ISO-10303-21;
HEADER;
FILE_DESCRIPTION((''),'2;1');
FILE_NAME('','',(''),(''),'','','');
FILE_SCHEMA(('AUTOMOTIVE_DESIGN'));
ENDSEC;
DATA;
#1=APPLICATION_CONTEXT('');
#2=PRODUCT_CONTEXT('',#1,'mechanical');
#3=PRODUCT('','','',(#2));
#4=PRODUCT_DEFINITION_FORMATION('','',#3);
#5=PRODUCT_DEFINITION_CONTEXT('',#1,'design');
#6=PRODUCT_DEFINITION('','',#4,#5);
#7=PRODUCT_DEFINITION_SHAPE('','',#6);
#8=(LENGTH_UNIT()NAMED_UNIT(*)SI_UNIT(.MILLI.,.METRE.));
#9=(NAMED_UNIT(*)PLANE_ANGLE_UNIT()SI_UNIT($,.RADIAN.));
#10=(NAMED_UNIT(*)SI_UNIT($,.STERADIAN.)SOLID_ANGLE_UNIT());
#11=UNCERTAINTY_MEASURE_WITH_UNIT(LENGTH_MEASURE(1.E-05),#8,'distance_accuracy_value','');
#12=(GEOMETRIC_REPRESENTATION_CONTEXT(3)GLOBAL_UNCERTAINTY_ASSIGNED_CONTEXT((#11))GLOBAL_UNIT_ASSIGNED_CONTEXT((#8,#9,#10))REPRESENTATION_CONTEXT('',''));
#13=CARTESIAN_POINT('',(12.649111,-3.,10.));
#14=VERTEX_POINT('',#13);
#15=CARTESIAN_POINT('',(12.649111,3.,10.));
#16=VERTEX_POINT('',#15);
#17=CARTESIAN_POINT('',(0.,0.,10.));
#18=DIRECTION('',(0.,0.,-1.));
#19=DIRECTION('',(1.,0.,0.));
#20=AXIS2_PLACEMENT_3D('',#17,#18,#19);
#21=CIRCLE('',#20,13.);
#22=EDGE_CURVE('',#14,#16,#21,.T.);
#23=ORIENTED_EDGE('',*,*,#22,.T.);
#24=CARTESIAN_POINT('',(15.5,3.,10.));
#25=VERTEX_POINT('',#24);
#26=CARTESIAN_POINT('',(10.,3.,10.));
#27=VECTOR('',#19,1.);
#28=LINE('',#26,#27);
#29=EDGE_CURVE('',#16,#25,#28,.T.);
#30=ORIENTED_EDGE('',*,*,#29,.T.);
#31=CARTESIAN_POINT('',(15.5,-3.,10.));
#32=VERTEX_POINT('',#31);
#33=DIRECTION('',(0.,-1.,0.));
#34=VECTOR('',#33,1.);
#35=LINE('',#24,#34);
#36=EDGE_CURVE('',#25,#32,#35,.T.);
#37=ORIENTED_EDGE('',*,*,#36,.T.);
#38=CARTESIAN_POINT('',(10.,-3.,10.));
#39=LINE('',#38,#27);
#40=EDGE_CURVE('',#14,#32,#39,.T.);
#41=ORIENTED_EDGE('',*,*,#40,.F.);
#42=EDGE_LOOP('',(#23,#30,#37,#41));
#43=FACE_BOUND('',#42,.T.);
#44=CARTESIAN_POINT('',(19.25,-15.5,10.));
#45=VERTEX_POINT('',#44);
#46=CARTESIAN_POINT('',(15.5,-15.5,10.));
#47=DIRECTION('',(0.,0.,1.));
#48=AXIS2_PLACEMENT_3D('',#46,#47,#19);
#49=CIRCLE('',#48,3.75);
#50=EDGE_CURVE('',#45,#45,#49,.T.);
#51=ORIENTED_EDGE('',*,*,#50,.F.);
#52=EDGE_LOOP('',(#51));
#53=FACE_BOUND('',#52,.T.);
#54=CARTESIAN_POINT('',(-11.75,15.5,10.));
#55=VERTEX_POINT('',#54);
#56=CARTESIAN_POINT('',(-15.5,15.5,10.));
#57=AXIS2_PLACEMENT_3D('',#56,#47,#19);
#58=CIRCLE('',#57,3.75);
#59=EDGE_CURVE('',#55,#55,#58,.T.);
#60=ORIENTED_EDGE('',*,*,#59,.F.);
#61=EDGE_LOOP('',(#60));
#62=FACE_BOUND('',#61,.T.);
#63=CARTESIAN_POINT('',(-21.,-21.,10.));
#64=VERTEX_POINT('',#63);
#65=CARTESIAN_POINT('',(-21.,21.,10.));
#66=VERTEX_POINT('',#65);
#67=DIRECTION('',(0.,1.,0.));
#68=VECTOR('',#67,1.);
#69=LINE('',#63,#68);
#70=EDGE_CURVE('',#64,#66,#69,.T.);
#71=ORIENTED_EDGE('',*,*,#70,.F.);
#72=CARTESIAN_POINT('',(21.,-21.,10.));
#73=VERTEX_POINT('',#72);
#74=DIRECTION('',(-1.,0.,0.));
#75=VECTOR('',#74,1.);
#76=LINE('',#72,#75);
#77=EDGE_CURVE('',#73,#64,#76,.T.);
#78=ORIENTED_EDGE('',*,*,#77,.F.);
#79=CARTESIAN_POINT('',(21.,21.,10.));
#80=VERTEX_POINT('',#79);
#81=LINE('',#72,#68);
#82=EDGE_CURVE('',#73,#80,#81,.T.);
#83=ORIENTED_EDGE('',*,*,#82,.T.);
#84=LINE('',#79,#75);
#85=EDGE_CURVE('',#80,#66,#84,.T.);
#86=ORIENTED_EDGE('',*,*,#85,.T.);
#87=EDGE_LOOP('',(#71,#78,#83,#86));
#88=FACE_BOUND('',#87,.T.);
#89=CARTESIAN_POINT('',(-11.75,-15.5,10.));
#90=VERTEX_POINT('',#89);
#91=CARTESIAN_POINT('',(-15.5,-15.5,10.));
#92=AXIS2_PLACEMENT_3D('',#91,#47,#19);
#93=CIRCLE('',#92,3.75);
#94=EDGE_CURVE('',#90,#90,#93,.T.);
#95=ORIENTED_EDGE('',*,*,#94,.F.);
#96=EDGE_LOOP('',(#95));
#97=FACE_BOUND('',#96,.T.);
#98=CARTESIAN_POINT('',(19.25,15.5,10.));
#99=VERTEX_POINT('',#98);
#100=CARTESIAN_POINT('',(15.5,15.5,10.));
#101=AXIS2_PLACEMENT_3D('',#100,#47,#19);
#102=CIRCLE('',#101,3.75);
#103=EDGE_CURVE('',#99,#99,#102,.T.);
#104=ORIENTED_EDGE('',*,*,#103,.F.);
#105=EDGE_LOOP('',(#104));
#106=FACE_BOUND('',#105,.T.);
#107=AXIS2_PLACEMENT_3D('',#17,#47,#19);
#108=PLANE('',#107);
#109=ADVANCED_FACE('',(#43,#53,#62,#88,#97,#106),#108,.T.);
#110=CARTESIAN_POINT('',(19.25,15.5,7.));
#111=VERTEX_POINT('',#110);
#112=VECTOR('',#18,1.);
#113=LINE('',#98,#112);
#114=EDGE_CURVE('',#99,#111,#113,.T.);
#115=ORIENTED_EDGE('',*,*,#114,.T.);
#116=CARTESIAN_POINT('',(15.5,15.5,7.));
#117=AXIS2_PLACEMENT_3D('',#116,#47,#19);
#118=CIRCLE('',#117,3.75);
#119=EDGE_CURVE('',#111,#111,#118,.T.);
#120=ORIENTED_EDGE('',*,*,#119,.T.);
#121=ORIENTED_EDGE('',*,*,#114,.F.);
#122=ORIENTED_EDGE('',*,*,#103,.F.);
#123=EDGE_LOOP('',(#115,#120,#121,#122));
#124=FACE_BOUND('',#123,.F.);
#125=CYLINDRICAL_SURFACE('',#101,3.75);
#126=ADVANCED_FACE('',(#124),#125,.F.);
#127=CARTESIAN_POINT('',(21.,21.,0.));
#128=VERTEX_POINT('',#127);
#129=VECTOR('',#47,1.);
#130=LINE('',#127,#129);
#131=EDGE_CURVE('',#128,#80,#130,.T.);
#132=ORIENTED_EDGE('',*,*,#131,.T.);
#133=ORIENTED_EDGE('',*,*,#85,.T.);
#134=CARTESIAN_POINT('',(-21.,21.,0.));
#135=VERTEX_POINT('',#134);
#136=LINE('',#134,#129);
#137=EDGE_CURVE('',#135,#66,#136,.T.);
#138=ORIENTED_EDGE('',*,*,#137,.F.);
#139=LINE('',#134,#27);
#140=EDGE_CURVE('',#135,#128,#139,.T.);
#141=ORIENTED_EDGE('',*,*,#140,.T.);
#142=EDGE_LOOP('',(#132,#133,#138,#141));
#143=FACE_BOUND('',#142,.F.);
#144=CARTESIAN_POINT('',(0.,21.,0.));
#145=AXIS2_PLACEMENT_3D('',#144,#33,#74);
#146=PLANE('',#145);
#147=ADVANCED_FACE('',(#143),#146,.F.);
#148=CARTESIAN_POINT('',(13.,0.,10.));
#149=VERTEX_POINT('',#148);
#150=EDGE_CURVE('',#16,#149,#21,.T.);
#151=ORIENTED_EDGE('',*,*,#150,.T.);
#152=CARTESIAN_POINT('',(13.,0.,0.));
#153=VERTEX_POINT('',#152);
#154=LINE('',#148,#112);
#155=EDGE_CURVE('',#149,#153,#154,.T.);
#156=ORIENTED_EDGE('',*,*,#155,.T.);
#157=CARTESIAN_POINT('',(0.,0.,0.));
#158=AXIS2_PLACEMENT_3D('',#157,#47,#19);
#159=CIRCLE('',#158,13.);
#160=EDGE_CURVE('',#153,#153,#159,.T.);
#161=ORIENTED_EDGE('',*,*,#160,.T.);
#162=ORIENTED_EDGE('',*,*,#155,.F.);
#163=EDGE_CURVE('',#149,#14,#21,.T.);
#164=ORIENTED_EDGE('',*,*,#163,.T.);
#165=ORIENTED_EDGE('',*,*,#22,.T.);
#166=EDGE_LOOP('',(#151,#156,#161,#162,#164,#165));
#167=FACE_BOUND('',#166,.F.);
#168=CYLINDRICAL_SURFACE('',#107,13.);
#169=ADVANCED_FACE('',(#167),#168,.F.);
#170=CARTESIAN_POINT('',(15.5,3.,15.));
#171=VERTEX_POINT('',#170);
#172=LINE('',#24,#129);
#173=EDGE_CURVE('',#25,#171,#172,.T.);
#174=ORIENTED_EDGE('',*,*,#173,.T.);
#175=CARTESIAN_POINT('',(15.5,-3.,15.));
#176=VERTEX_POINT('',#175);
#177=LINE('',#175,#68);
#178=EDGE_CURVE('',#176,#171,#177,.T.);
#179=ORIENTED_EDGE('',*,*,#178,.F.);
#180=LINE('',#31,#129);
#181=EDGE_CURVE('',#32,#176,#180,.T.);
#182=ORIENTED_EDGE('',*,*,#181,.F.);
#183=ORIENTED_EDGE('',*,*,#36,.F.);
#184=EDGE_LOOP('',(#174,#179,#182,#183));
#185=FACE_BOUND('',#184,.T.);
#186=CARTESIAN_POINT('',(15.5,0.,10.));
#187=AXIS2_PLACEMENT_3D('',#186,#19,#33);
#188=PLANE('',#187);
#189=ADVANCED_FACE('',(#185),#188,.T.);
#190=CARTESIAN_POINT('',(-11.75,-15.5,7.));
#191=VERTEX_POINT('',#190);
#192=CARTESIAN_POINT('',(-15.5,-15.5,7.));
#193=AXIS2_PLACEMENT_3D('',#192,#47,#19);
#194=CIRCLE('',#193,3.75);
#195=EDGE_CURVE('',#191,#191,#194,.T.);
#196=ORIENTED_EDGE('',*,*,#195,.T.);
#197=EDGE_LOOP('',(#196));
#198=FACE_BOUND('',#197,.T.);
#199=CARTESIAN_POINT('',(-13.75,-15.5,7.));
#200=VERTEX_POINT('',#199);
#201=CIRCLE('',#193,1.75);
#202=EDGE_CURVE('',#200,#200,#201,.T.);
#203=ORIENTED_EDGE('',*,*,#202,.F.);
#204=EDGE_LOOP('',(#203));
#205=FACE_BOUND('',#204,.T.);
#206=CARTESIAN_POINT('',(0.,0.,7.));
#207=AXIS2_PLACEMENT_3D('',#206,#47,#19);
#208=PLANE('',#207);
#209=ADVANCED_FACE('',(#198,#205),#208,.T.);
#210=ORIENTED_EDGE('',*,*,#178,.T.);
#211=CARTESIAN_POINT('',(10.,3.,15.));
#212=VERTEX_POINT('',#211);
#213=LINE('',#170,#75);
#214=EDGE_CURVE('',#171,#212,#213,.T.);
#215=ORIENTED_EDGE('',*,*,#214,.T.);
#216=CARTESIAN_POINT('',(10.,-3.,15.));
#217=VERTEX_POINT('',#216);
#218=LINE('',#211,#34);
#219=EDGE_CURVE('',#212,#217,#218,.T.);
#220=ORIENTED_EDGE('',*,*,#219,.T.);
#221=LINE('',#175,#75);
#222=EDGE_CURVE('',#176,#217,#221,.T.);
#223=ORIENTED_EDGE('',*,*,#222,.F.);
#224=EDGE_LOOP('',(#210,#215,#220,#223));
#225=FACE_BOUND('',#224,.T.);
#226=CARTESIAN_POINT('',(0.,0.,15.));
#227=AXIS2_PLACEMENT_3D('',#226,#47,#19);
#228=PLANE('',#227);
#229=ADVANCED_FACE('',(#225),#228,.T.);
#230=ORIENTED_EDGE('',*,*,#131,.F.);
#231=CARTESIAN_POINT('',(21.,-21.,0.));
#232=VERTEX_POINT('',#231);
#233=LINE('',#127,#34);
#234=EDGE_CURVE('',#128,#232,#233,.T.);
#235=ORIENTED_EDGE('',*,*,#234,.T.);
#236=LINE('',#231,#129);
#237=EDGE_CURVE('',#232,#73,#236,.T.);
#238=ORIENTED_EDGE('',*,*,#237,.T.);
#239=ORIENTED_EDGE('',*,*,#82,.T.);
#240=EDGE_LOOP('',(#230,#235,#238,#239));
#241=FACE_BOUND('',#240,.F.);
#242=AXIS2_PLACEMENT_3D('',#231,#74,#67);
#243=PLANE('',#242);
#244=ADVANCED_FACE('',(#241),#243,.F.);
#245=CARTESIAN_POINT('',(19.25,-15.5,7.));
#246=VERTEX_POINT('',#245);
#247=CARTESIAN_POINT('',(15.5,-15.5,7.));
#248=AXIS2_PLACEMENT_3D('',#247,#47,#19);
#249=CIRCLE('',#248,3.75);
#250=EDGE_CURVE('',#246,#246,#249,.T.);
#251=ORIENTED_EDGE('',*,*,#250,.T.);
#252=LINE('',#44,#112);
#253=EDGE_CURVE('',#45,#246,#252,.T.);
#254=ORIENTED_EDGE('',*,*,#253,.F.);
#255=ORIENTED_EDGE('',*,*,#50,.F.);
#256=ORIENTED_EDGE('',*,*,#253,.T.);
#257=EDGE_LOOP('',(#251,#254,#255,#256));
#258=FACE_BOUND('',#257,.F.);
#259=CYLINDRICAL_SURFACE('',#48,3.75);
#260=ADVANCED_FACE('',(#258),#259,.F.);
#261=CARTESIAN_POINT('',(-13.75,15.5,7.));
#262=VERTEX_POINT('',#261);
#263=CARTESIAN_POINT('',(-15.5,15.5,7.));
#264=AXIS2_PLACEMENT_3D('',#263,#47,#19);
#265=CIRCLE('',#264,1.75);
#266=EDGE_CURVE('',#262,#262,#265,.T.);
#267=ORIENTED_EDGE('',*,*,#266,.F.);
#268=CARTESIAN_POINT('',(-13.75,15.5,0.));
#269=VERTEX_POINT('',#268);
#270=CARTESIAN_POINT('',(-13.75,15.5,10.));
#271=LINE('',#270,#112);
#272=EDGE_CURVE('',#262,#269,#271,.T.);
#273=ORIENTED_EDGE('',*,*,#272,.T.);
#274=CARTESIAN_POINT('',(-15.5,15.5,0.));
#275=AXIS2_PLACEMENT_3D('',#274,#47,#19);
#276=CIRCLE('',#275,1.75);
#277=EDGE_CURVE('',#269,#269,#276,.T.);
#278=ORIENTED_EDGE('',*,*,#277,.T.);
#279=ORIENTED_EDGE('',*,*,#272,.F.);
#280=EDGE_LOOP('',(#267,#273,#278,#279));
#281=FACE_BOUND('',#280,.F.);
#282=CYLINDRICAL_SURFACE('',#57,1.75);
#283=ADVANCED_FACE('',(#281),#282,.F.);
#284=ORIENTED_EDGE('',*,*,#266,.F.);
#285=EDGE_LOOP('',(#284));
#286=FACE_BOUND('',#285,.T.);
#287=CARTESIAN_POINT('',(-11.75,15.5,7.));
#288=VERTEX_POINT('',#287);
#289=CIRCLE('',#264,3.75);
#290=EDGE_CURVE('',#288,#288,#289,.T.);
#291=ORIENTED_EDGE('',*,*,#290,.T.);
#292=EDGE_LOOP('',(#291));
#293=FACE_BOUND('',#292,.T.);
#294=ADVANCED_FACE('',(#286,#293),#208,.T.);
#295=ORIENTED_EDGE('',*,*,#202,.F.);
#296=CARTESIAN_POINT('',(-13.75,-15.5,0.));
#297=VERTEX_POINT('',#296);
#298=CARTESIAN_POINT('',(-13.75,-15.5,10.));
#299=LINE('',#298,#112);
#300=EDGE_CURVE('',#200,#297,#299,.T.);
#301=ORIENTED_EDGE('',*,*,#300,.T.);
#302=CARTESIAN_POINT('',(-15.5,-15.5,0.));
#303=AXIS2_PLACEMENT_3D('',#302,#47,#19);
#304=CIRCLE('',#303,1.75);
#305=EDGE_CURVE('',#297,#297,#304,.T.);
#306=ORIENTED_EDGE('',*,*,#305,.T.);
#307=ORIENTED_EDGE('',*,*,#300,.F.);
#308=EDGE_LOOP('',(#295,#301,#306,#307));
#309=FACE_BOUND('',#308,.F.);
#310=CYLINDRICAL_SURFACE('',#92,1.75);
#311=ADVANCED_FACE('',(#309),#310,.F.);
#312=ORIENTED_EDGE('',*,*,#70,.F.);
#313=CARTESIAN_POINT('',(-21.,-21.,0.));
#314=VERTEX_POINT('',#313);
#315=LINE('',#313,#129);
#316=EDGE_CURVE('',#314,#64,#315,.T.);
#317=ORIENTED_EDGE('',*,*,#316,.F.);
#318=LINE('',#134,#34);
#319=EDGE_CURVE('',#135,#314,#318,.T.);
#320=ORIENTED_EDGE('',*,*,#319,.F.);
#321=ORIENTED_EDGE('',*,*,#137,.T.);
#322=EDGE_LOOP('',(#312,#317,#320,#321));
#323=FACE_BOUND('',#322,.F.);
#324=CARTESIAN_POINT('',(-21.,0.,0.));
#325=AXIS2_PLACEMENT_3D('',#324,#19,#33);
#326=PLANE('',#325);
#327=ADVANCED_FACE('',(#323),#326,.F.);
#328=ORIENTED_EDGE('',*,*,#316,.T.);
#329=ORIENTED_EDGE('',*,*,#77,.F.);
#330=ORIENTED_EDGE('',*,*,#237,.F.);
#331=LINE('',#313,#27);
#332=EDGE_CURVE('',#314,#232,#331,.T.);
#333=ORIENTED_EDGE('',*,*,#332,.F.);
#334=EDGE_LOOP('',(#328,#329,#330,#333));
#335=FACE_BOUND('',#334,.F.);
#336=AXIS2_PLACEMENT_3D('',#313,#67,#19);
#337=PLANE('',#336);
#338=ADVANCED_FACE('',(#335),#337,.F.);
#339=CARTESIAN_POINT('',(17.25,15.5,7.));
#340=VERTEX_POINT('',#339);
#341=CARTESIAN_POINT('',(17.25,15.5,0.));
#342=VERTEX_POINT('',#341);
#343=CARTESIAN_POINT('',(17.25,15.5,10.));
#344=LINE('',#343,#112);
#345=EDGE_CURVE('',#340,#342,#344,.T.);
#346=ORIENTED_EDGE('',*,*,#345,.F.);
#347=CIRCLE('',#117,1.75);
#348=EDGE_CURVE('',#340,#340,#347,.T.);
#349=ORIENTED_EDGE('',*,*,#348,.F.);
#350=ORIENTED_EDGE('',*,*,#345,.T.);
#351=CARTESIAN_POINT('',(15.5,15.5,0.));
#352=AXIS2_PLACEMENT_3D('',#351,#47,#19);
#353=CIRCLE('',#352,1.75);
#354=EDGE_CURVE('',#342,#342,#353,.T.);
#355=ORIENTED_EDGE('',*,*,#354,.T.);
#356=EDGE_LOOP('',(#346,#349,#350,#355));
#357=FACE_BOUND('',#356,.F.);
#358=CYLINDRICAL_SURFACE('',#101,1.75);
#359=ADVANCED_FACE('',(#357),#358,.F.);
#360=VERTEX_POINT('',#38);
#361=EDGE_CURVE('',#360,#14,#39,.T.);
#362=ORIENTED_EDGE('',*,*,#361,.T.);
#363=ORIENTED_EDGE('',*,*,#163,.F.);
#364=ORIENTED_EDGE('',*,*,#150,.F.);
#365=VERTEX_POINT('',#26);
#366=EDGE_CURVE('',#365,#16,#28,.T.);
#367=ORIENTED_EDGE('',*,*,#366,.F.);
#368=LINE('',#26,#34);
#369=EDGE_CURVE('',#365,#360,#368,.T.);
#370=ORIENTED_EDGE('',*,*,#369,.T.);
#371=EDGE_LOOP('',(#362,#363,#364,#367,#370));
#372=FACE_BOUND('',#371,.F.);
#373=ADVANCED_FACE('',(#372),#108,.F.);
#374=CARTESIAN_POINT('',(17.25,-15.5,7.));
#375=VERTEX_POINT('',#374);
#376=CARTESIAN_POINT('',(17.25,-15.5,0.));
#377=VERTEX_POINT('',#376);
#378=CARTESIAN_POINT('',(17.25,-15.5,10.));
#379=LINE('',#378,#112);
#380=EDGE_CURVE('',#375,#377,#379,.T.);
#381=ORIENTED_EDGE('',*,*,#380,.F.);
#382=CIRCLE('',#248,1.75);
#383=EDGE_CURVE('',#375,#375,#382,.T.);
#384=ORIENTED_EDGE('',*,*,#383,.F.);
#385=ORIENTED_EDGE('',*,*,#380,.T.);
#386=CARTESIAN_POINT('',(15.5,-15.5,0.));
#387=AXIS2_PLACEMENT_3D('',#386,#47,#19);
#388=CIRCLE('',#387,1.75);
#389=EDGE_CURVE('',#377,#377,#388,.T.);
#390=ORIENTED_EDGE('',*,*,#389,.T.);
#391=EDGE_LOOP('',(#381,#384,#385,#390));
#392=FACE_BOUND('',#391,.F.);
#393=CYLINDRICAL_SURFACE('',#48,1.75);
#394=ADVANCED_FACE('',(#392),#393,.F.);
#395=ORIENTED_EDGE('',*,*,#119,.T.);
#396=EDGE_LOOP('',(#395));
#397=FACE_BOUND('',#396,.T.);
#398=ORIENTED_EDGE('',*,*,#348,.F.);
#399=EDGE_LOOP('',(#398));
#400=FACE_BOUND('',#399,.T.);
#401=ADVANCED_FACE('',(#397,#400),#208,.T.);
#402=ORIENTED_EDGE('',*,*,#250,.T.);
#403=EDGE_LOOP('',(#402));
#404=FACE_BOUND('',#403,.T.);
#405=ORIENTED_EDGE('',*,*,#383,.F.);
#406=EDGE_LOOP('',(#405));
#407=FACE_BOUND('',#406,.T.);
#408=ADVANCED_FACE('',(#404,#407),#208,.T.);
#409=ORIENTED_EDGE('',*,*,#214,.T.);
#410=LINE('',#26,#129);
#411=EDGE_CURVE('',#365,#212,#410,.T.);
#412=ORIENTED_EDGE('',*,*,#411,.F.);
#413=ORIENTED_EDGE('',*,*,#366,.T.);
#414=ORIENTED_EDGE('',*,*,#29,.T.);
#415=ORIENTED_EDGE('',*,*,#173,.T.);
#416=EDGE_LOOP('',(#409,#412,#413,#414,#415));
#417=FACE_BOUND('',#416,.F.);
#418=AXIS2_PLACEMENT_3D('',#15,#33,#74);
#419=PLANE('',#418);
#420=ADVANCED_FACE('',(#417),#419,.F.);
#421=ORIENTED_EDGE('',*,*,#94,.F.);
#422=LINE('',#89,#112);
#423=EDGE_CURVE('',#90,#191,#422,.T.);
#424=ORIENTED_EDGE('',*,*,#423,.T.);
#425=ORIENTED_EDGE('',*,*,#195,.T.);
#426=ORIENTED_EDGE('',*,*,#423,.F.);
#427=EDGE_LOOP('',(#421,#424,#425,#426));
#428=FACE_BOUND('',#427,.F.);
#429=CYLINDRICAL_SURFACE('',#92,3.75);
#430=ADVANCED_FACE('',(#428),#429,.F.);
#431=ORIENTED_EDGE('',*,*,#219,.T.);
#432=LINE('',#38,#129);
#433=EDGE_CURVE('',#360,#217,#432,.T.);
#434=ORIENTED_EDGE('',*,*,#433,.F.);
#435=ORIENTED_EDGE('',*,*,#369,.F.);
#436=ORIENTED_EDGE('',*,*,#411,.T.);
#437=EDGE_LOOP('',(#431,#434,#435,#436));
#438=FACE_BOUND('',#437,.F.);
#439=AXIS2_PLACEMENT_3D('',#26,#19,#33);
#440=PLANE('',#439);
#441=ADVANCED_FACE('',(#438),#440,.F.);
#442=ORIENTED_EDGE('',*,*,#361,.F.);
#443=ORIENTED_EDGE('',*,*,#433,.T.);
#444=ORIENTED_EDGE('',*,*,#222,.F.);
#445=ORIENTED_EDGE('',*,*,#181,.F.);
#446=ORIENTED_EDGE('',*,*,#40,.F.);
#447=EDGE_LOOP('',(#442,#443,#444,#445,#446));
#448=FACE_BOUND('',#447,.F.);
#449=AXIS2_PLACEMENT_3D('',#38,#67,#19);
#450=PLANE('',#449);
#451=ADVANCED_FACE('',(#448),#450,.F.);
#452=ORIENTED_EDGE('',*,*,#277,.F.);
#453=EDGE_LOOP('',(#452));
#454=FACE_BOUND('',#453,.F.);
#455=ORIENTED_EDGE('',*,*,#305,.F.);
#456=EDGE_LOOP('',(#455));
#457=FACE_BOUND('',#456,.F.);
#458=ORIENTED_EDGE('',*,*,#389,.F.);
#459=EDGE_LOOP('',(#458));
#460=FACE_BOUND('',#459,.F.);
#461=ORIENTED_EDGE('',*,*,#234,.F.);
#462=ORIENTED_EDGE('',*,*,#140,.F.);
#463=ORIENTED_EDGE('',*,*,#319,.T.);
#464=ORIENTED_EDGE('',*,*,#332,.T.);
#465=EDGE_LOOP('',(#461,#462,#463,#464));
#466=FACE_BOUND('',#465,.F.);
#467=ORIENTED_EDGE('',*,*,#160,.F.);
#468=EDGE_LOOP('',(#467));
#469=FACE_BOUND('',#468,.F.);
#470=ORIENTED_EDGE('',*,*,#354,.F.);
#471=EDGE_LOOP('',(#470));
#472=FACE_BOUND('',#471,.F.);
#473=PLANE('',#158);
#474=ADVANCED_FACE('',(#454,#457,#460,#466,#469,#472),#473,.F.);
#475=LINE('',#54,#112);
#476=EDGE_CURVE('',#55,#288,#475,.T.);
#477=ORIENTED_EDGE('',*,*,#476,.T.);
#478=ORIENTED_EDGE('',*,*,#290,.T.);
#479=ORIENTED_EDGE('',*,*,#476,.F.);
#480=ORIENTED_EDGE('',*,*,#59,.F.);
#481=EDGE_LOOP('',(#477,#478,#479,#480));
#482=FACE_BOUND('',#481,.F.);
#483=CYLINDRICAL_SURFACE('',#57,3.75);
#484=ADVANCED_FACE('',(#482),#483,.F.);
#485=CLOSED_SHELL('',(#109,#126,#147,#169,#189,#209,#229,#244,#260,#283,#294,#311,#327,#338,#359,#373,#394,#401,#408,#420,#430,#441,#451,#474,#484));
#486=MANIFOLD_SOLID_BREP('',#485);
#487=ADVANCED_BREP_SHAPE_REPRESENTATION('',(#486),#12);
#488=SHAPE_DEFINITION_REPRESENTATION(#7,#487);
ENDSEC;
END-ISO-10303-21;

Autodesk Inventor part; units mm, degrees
ref_plane "YZ Plane" through (0, 0, 0) normal (1, 0, 0) x (0, 1, 0)
ref_plane "XZ Plane" through (0, 0, 0) normal (0, 1, 0) x (-1, 0, 0)
ref_plane "XY Plane" through (0, 0, 0) normal (0, 0, 1) x (1, 0, 0)
sketch "Sketch1" plane through (0, 0, 0) normal (0, 0, 1) x (1, 0, 0)
  line L0 (-21, -21) -> (21, -21)
  line L1 (21, -21) -> (21, 21)
  line L2 (21, 21) -> (-21, 21)
  line L3 (-21, 21) -> (-21, -21)
  line L4 (-21, 0) -> (21, 0)
  line L5 (21, 0) -> (19, 0)
  line L6 (0, -21) -> (0, 21)
  point P0 (0, 0)
  point P1 (0, 0)
  dimension "d0" = 42
  dimension "d1" = 42
extrude "Extrusion1" add sketch "Sketch1" along normal blind 10
sketch "Sketch2" plane through (0, 0, 10) normal (0, 0, 1) x (1, 0, 0)
  circle A0 centre (0, 0) radius 13
  circle A1 centre (-15.5, 15.5) radius 1.75
  circle A2 centre (15.5, 15.5) radius 1.75
  circle A3 centre (15.5, -15.5) radius 1.75
  circle A4 centre (-15.5, -15.5) radius 1.75
  line L0 (21, 21) -> (-21, 21) projected
  line L1 (-21, 21) -> (-21, -21) projected
  line L2 (-21, -21) -> (21, -21) projected
  line L3 (21, -21) -> (21, 21) projected
  line L4 (0, -21) -> (0, 21)
  line L5 (-21, 0) -> (21, 0)
  dimension "d5" = 26
  dimension "d6" = 3.5
  dimension "d7" = 31
  dimension "d8" = 31
extrude "Extrusion2" cut sketch "Sketch2" against normal through all contours L5 L4 A0 | A0 L4 L5 | L4 L5 A0 | A0 L5 L4 | A1 | A2 | A3 | A4
sketch "Sketch3" plane through (0, 0, 10) normal (0, 0, 1) x (1, 0, 0)
  circle A0 centre (15.5, -15.5) radius 1.75 projected
  circle A1 centre (-15.5, -15.5) radius 1.75 projected
  circle A2 centre (0, 0) radius 13 projected
  circle A3 centre (-15.5, 15.5) radius 1.75 projected
  circle A4 centre (15.5, 15.5) radius 1.75 projected
  line L0 (-21, 21) -> (-21, -21) projected
  line L1 (-21, -21) -> (21, -21) projected
  line L2 (21, -21) -> (21, 21) projected
  line L3 (21, 21) -> (-21, 21) projected
  circle A5 centre (15.5, -15.5) radius 3.75
  circle A6 centre (-15.5, -15.5) radius 3.75
  circle A7 centre (-15.5, 15.5) radius 3.75
  circle A8 centre (15.5, 15.5) radius 3.75
  dimension "d14" = 2
  dimension "d17" = 2
  dimension "d18" = 2
  dimension "d19" = 2
extrude "Extrusion4" cut sketch "Sketch3" against normal blind 3 contours A5 | A6 | A7 | A8
sketch "Sketch5" plane through (0, 0, 10) normal (0, 0, 1) x (1, 0, 0)
  circle A0 centre (-15.5, 15.5) radius 3.75 projected
  circle A1 centre (15.5, -15.5) radius 3.75 projected
  circle A2 centre (-15.5, -15.5) radius 3.75 projected
  circle A3 centre (15.5, 15.5) radius 3.75 projected
  circle A4 centre (0, 0) radius 13 projected
  line L0 (21, 21) -> (-21, 21) projected
  line L1 (-21, 21) -> (-21, -21) projected
  line L2 (-21, -21) -> (21, -21) projected
  line L3 (21, -21) -> (21, 21) projected
  line L4 (21, -21) -> (21, 21) projected
  line L5 (21, 0) -> (13, 0)
  line L6 (15.5, 3) -> (15.5, -3)
  line L7 (15.5, 3) -> (10, 3)
  line L8 (10, 3) -> (10, -3)
  line L9 (10, -3) -> (15.5, -3)
  dimension "d27" = 6
extrude "Extrusion5" add sketch "Sketch5" along normal blind 5 contours A4 L9 L8 L7 | L5 L6 L9 A4 | A4 L7 L6 L5 picked at (11, 0)
properties part number "soporte02"
